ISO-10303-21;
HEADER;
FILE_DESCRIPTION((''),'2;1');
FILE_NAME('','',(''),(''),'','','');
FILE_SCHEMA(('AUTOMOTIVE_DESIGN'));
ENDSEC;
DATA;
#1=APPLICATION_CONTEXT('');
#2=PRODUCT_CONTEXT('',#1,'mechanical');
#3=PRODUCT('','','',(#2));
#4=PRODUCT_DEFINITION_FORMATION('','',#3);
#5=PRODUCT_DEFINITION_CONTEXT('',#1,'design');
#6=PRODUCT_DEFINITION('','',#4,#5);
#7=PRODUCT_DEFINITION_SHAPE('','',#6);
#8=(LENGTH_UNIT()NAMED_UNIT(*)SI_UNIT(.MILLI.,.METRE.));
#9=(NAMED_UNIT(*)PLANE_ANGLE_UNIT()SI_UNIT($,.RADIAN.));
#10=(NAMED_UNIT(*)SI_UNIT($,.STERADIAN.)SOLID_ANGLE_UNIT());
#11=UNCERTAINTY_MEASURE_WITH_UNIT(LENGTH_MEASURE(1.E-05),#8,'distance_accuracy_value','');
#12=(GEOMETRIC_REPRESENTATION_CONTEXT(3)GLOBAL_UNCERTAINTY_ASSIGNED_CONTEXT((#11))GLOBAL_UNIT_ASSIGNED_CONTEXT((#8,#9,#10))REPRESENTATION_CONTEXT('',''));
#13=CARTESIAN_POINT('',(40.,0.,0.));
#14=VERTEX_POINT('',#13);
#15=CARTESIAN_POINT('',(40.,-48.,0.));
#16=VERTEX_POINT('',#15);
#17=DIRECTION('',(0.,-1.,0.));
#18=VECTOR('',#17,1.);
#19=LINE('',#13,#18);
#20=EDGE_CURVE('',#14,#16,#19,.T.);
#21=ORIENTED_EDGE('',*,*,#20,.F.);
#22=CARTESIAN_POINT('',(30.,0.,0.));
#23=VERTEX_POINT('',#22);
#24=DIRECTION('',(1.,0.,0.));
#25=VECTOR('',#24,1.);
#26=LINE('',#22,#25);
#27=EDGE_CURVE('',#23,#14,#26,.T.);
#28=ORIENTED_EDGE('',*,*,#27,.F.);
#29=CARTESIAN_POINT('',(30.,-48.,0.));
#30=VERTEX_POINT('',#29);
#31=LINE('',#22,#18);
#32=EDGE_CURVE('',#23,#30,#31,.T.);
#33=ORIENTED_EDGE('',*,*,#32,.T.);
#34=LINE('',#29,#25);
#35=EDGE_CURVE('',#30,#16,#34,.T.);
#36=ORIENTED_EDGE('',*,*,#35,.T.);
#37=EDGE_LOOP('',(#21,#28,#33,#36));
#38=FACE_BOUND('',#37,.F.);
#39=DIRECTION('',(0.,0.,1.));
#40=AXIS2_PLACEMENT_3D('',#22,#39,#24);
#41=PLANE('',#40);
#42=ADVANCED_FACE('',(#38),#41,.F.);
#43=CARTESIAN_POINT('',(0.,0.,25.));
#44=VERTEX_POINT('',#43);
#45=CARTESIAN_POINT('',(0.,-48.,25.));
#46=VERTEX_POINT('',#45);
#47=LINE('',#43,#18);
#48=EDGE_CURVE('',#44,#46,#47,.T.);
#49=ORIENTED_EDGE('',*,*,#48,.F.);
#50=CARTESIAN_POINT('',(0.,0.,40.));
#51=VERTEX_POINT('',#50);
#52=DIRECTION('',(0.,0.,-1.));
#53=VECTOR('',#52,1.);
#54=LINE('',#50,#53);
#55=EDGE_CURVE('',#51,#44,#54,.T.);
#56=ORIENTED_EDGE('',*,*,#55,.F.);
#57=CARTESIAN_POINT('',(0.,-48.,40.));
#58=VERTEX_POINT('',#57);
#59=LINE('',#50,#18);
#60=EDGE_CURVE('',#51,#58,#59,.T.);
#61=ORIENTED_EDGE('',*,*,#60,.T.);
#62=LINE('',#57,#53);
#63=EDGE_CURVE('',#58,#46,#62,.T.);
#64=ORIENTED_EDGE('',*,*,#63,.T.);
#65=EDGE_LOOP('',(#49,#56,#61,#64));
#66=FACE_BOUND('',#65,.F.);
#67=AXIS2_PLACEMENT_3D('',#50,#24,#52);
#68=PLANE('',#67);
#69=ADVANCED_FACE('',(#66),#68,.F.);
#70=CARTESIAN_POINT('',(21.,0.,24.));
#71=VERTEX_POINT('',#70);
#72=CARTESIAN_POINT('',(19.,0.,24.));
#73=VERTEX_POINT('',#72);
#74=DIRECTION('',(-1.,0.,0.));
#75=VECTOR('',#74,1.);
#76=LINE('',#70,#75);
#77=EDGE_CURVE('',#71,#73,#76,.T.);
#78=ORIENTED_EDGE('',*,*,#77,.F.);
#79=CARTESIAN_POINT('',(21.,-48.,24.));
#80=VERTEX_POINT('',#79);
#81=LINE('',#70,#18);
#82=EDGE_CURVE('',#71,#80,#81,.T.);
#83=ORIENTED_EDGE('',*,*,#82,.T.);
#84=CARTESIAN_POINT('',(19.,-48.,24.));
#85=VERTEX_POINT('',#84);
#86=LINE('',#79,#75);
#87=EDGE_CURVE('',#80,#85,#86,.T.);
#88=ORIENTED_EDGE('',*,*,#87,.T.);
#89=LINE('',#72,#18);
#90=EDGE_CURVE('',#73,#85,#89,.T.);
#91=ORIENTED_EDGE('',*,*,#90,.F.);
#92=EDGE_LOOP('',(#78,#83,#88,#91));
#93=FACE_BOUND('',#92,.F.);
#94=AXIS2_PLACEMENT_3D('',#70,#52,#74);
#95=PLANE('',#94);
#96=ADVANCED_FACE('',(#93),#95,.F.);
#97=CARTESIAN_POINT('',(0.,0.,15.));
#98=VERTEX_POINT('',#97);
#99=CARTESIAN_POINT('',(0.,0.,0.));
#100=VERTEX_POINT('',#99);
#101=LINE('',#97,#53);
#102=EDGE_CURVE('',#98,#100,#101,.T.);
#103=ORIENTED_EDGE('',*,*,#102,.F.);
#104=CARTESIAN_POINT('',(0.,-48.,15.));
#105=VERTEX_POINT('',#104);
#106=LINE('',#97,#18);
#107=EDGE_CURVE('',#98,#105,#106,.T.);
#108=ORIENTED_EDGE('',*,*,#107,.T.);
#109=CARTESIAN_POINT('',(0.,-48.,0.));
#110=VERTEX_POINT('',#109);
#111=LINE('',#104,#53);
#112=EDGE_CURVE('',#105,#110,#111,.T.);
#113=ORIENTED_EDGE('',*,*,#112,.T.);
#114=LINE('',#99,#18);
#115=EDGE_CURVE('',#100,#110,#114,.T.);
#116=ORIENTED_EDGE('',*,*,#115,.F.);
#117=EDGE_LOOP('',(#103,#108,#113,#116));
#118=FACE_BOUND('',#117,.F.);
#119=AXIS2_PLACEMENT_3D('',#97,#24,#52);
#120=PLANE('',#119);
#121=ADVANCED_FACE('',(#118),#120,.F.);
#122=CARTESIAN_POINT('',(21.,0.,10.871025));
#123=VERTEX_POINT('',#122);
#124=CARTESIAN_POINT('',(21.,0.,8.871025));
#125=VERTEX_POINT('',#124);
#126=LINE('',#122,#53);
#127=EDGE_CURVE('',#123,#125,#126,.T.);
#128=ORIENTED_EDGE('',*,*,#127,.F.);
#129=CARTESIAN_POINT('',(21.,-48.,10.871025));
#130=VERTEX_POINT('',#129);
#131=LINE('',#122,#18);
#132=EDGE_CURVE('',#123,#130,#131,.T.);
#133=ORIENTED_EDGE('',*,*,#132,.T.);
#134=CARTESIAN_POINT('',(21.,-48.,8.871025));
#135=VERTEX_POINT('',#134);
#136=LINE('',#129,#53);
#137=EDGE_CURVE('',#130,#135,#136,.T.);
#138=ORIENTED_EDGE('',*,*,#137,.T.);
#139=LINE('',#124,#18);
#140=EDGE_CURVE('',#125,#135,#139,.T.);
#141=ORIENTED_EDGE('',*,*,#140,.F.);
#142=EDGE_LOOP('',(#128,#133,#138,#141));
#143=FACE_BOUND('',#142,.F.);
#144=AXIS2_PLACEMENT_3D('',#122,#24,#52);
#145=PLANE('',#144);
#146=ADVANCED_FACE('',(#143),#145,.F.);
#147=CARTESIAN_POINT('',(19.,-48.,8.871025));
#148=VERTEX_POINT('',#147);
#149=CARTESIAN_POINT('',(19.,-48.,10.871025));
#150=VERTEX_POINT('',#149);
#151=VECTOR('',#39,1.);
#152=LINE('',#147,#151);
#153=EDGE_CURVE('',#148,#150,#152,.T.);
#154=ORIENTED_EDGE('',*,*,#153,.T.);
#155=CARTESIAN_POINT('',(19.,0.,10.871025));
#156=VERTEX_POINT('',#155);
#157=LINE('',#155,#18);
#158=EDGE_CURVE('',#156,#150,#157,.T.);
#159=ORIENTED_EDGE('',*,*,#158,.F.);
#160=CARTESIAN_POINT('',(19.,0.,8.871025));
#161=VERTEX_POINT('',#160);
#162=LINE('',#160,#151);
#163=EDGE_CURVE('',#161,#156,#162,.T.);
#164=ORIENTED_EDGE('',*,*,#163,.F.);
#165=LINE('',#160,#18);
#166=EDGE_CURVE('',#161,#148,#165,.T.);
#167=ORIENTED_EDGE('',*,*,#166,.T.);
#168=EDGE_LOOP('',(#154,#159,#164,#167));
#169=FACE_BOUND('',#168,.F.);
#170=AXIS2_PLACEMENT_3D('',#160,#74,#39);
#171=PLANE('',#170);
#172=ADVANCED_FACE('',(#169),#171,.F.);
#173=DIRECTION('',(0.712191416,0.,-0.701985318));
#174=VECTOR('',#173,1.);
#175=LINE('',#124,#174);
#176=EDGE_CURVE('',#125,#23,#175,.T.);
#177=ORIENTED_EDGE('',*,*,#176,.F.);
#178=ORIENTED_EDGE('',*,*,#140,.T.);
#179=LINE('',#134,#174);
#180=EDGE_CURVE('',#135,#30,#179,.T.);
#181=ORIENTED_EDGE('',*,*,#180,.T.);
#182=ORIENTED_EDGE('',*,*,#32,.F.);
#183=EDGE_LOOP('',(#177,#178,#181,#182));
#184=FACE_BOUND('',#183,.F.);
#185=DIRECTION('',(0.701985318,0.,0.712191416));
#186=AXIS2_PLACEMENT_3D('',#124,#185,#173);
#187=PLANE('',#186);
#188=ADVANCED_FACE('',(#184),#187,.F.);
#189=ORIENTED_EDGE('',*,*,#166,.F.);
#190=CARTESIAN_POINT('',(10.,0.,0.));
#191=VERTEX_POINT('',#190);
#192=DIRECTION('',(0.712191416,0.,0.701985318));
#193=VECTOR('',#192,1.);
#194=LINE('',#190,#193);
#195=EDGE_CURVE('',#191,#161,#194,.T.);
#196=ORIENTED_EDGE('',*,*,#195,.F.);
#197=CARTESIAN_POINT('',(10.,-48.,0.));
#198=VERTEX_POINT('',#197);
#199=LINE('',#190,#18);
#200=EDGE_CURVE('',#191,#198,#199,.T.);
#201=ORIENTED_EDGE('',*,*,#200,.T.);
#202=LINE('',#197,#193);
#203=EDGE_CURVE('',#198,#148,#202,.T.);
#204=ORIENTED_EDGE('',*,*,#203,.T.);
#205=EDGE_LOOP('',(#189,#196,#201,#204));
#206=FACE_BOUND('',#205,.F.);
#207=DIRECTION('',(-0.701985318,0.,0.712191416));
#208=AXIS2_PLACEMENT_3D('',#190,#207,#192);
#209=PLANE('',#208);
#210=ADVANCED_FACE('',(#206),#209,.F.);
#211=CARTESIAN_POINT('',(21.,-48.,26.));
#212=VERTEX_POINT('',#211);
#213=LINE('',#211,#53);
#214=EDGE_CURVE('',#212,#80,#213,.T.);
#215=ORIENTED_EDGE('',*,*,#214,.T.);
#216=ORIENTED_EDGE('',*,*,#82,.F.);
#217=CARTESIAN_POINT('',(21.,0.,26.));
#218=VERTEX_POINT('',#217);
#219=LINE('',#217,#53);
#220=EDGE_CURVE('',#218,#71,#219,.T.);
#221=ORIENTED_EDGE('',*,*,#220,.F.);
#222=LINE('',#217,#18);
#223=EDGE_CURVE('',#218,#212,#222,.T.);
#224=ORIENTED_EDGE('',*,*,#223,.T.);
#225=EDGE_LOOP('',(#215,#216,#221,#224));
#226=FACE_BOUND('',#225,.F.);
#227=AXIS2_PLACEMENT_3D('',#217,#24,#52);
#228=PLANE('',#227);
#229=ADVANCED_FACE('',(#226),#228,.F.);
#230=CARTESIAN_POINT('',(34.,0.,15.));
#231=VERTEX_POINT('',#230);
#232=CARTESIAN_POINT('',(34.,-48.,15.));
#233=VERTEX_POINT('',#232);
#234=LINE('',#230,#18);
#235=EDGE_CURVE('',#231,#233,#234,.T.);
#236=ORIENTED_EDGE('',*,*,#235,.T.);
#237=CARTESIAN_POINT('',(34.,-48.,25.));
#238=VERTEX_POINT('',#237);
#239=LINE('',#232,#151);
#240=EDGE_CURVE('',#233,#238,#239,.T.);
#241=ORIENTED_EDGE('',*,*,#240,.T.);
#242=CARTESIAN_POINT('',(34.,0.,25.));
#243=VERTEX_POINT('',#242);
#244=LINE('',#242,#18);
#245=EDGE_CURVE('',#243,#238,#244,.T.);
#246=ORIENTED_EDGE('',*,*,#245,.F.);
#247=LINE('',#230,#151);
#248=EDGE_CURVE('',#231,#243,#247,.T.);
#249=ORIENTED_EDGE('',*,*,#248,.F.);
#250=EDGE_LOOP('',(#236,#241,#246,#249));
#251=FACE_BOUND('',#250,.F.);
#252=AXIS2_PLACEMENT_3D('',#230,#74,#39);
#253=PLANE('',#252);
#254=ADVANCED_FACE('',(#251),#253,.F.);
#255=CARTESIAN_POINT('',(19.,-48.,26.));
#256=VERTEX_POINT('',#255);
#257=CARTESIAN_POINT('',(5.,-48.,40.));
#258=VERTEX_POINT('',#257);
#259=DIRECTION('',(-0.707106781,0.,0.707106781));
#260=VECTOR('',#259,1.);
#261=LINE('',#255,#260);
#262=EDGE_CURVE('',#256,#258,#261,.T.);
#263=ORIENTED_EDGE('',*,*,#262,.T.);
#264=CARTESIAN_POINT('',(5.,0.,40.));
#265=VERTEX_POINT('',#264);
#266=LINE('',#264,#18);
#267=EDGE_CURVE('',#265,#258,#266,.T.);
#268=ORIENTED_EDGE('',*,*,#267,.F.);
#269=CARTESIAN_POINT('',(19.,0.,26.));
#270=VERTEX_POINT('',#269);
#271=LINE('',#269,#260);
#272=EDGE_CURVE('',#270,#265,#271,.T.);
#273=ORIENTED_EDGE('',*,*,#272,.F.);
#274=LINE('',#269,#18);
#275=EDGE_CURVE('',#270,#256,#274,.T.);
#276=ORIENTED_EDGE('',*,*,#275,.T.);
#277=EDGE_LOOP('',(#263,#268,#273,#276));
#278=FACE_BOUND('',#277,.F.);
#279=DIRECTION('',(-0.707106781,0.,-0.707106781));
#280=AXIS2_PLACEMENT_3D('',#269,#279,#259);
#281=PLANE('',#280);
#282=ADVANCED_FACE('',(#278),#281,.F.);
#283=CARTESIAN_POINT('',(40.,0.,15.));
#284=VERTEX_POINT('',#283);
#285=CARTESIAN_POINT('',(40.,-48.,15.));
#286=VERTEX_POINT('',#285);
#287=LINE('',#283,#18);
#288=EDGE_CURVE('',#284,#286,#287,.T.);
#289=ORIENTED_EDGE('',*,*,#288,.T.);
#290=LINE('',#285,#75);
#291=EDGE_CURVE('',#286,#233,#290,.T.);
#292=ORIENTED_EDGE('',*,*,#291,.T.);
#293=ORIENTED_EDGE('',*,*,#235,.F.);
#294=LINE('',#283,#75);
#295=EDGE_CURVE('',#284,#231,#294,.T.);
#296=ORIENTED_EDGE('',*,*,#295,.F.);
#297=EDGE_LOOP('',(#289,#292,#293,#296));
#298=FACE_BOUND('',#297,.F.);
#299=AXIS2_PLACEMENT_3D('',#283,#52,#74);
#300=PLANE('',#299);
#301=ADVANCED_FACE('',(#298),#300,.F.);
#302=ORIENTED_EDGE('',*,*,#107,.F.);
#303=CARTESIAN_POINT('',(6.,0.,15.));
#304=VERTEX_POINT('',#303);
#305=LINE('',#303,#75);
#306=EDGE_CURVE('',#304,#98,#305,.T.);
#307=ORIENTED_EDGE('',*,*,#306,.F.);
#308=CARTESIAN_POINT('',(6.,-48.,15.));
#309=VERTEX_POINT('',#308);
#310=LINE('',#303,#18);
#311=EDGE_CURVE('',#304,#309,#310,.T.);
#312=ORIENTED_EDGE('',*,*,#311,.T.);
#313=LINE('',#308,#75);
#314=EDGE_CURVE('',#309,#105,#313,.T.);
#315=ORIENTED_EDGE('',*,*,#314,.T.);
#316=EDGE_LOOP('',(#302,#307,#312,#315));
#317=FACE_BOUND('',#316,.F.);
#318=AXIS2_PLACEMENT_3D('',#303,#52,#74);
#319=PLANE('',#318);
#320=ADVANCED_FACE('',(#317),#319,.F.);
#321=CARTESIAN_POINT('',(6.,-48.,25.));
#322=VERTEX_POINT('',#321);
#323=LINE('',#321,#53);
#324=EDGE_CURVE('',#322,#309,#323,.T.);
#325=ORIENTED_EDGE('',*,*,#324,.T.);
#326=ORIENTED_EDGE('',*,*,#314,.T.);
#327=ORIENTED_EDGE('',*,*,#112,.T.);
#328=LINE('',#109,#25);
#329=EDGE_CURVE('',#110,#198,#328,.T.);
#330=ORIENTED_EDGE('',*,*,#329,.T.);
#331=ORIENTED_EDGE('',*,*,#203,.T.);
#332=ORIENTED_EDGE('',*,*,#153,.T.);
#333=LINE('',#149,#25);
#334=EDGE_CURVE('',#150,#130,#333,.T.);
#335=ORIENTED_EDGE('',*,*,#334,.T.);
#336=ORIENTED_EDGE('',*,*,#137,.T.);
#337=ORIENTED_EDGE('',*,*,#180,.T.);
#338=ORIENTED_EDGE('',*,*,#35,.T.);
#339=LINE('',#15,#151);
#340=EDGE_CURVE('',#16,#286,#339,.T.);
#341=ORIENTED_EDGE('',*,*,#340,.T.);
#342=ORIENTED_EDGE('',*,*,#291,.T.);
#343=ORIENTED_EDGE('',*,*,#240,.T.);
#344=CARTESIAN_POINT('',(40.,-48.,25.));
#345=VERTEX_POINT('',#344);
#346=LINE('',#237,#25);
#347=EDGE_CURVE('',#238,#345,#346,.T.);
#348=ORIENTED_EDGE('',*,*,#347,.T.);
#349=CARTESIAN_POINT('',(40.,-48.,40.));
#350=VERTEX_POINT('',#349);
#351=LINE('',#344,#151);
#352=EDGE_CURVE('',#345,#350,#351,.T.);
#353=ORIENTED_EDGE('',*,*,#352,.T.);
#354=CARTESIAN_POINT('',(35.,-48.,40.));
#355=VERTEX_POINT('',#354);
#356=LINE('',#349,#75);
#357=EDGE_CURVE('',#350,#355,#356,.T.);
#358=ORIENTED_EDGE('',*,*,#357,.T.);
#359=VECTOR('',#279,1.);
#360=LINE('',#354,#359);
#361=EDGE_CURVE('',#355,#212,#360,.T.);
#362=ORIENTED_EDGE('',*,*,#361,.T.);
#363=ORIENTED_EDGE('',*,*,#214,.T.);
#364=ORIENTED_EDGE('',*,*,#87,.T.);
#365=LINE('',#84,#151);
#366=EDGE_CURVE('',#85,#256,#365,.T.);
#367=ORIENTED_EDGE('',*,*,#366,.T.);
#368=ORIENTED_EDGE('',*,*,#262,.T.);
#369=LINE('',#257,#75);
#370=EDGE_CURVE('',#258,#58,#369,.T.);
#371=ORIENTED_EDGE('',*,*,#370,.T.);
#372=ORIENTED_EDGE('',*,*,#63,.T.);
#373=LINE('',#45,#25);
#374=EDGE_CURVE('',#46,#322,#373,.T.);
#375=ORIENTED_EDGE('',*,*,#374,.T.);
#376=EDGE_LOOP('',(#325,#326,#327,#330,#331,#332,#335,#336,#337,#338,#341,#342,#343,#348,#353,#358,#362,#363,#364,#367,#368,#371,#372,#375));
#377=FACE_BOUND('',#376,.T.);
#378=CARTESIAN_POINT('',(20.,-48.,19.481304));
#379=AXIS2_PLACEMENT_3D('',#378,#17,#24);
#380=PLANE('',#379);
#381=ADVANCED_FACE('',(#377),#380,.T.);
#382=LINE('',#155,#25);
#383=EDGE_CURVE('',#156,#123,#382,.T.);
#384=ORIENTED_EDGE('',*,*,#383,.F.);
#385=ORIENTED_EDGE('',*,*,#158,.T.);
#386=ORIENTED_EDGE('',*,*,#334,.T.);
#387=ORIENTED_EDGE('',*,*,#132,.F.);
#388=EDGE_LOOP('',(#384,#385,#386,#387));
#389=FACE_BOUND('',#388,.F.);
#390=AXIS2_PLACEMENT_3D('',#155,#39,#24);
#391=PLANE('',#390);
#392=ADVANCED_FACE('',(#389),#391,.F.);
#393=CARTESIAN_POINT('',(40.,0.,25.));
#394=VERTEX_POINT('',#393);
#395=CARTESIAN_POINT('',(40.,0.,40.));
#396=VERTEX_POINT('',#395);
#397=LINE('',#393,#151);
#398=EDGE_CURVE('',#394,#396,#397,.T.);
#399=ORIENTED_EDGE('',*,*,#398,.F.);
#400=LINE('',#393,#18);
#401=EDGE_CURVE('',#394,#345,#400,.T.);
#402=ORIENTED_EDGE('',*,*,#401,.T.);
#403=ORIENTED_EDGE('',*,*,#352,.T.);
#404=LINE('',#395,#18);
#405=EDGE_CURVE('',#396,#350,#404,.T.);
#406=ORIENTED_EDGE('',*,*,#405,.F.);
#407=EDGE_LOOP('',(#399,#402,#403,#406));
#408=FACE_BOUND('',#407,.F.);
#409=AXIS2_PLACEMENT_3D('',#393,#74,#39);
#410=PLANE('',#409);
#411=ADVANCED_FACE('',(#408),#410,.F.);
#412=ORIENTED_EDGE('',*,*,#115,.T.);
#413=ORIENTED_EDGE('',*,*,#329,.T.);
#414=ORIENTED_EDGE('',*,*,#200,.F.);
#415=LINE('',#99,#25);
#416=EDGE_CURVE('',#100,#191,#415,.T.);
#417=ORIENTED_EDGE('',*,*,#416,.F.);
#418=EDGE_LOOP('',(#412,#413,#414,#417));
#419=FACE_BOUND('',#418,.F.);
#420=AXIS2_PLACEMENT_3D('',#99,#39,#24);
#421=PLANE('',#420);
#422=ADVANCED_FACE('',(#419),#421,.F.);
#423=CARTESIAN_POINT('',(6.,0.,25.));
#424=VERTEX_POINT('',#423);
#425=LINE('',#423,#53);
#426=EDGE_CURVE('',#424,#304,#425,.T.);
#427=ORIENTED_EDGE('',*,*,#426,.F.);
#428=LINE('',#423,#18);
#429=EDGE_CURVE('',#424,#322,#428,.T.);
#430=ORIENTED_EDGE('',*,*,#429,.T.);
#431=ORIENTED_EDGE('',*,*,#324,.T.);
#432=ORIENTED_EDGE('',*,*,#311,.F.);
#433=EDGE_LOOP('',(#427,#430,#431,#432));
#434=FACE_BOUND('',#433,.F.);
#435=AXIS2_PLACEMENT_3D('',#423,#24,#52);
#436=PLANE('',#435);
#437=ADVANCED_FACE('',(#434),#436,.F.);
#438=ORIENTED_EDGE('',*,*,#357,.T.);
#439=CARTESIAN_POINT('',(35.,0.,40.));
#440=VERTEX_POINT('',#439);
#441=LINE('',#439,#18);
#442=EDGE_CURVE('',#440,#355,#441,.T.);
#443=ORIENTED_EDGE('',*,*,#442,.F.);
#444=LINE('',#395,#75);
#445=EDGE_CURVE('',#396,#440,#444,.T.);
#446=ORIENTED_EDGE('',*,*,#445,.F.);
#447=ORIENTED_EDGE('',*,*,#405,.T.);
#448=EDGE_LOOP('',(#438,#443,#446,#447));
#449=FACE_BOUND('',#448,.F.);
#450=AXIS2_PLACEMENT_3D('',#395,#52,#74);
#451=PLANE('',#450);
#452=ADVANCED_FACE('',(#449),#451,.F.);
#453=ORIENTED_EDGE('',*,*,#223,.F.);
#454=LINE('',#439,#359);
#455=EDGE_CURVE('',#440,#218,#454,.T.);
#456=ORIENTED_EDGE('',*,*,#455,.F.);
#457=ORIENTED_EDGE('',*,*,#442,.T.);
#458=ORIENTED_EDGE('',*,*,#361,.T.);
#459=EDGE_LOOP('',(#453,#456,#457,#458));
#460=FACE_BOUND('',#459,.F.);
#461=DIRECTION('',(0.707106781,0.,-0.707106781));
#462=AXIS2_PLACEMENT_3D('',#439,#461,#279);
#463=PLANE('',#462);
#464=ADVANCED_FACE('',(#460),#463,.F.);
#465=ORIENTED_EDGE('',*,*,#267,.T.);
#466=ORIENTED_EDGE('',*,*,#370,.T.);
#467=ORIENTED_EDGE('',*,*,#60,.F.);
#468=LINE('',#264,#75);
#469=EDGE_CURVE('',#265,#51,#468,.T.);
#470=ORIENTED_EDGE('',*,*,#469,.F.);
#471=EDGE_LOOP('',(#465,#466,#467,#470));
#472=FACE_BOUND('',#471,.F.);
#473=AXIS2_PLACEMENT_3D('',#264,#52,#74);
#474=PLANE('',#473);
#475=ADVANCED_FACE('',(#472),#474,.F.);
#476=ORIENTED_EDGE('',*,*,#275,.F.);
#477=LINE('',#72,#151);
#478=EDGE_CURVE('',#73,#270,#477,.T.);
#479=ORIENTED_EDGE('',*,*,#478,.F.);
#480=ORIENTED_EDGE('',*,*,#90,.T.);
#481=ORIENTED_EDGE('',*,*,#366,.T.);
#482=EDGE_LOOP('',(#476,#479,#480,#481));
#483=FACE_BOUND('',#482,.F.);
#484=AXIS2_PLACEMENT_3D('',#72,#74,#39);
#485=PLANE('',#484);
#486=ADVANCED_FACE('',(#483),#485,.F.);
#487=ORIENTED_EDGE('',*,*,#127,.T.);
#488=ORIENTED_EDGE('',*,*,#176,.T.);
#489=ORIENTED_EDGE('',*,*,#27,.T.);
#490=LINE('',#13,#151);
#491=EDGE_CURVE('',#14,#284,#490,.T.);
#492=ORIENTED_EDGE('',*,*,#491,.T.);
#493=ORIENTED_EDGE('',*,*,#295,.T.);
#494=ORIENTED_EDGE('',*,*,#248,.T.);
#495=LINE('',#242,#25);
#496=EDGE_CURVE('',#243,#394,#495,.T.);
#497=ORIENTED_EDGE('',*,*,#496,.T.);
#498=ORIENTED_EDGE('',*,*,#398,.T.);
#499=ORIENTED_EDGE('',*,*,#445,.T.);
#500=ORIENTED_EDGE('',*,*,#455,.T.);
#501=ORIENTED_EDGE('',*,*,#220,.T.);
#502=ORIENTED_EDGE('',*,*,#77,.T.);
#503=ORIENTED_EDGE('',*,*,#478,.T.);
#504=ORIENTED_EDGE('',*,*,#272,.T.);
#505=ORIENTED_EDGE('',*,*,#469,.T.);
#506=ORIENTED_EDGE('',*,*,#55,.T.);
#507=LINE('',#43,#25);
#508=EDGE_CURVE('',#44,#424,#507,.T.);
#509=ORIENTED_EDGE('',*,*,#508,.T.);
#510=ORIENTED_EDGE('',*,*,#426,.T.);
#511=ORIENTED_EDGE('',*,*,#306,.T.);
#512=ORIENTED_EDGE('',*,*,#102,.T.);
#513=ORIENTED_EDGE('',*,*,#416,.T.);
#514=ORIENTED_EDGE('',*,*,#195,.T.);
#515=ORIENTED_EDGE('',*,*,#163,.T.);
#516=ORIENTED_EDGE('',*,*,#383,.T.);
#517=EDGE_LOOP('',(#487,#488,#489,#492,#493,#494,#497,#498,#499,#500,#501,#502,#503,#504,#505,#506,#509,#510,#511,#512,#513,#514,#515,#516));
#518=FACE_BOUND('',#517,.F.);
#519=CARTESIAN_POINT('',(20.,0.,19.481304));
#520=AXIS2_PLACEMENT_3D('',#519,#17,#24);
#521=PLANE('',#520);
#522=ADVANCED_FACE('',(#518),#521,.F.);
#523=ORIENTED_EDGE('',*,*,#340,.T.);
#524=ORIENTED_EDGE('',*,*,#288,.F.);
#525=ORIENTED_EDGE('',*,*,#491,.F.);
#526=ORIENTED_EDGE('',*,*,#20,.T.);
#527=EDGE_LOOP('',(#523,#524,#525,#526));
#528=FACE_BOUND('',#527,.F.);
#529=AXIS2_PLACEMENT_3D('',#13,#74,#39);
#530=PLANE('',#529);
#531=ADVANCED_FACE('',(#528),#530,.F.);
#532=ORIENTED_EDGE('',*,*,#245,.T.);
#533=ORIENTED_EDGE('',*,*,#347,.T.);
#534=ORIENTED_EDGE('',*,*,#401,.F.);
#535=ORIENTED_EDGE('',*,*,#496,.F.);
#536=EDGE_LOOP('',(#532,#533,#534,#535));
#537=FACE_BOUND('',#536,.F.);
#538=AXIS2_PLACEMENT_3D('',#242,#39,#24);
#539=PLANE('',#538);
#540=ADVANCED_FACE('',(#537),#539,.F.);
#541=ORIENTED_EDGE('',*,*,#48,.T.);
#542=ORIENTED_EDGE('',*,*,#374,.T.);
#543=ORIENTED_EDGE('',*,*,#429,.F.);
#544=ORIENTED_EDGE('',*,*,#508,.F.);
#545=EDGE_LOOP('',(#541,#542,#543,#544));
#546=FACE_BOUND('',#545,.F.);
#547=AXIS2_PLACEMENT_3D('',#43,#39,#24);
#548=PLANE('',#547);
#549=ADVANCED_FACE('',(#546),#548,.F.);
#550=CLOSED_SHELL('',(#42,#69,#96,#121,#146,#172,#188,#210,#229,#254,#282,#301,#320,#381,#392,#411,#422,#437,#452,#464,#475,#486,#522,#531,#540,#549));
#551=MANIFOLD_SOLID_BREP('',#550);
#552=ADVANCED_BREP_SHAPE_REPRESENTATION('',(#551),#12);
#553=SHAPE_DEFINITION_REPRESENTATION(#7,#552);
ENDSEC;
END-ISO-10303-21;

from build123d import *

# Parameters (mm, degrees)
F1_DEPTH = 48


with BuildPart() as f1:
    # F0 (on Front) → F1 (new body)
    with BuildSketch(Plane.XZ):
        Polygon((0, 15), (0, 0), (10, 0), (19, 8.871025), (19, 10.871025), (21, 10.871025), (21, 8.871025), (30, 0), (40, 0), (40, 15), (34, 15), (34, 25), (40, 25), (40, 40), (35, 40), (21, 26), (21, 24), (19, 24), (19, 26), (5, 40), (0, 40), (0, 25), (6, 25), (6, 15), align=None)
    extrude(amount=F1_DEPTH)


solid = f1.part
